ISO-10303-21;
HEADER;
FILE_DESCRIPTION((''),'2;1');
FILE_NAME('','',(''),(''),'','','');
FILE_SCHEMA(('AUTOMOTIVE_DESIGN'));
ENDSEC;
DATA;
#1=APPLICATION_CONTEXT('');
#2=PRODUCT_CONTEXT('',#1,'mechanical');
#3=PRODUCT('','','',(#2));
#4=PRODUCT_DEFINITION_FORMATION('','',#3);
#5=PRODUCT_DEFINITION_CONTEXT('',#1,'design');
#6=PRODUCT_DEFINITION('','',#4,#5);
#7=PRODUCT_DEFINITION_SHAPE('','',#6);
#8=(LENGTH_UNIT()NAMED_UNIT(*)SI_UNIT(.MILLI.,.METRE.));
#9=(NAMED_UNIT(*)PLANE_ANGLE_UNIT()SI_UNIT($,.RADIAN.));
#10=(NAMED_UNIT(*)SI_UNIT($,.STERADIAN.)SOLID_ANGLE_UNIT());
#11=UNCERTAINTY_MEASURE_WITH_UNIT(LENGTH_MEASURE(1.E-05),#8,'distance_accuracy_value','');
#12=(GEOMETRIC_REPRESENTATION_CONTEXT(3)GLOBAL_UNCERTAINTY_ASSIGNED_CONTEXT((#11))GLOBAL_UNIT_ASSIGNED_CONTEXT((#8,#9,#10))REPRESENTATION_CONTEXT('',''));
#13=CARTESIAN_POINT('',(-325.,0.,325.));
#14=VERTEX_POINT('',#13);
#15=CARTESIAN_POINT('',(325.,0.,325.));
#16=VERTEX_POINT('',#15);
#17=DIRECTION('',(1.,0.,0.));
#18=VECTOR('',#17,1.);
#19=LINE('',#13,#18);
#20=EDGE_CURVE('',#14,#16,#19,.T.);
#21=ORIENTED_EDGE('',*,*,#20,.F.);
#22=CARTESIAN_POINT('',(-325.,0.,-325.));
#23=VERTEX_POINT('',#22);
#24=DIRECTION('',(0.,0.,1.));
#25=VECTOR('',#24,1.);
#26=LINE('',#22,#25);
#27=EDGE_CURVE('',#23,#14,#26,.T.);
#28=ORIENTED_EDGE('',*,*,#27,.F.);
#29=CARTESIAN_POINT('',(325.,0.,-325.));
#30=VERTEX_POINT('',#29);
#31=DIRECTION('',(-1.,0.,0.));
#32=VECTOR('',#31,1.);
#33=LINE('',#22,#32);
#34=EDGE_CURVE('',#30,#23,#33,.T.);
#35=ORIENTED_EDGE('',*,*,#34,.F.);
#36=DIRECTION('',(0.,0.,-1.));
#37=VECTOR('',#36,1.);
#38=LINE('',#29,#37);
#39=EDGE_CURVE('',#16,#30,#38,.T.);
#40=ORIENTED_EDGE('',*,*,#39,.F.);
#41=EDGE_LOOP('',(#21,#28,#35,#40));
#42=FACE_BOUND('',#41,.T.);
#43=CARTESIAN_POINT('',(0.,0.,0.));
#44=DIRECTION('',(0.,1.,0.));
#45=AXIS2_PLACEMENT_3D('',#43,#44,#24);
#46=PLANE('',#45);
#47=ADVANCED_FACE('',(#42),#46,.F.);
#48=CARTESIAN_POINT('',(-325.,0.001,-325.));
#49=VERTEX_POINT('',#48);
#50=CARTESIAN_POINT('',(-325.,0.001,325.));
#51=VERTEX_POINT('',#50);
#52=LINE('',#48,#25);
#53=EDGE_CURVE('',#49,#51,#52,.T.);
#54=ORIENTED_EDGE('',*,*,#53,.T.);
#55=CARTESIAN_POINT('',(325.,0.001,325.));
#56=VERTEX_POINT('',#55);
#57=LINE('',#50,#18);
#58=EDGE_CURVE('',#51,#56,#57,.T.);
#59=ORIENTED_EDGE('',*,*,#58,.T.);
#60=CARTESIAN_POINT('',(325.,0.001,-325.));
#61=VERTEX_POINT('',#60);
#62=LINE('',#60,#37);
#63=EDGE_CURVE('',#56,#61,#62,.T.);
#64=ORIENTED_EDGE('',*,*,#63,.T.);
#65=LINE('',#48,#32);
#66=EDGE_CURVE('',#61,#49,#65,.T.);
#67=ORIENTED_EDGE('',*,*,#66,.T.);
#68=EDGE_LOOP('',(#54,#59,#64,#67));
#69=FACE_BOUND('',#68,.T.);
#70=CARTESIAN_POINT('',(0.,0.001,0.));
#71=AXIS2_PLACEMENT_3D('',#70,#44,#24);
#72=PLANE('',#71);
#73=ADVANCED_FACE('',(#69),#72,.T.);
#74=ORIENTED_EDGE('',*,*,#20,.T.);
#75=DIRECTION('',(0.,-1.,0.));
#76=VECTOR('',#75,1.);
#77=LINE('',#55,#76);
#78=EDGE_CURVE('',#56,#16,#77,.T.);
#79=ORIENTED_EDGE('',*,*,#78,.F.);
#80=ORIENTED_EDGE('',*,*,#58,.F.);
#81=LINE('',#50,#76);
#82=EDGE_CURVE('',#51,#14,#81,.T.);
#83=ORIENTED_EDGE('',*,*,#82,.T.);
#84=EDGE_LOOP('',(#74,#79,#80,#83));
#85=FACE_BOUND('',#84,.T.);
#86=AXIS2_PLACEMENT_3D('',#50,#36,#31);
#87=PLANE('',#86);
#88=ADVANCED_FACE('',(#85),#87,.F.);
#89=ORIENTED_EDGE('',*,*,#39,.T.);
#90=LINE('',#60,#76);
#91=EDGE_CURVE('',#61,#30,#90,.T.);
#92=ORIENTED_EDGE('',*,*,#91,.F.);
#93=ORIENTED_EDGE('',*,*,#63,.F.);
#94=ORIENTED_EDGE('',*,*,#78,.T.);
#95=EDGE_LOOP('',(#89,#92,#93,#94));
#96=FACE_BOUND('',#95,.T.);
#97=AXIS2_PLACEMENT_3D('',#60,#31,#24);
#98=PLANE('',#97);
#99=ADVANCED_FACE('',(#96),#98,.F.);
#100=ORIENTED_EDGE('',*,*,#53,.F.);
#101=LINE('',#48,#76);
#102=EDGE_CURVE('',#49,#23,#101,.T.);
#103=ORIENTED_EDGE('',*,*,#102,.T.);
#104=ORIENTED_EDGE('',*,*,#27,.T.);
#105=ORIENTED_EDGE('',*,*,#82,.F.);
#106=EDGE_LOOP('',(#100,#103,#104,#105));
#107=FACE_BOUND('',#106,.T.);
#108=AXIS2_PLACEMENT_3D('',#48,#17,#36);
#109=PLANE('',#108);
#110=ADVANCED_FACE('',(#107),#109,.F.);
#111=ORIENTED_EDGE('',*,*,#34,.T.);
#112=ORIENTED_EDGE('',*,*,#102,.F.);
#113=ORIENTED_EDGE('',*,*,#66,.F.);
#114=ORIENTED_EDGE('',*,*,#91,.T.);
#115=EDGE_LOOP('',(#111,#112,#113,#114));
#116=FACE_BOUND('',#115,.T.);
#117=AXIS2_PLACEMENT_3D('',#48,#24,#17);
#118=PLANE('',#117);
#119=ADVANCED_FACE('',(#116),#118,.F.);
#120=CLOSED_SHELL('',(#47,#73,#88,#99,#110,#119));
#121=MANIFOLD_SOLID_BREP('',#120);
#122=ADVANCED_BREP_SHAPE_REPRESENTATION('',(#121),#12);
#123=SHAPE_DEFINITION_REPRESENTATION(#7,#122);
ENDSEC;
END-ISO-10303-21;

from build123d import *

# Parameters (mm, degrees)
SKETCH_1_W      = 650
SKETCH_1_H      = 650
EXTRUDE_1_DEPTH = 0.001


with BuildPart() as part:
    # 草图1 → 凸台-拉伸1 (new body)
    with BuildSketch(Plane(origin=(0, 0, 0), x_dir=(1, 0, 0), z_dir=(0, 1, 0))):
        Rectangle(SKETCH_1_W, SKETCH_1_H)
    extrude(amount=EXTRUDE_1_DEPTH)


solid = part.part
